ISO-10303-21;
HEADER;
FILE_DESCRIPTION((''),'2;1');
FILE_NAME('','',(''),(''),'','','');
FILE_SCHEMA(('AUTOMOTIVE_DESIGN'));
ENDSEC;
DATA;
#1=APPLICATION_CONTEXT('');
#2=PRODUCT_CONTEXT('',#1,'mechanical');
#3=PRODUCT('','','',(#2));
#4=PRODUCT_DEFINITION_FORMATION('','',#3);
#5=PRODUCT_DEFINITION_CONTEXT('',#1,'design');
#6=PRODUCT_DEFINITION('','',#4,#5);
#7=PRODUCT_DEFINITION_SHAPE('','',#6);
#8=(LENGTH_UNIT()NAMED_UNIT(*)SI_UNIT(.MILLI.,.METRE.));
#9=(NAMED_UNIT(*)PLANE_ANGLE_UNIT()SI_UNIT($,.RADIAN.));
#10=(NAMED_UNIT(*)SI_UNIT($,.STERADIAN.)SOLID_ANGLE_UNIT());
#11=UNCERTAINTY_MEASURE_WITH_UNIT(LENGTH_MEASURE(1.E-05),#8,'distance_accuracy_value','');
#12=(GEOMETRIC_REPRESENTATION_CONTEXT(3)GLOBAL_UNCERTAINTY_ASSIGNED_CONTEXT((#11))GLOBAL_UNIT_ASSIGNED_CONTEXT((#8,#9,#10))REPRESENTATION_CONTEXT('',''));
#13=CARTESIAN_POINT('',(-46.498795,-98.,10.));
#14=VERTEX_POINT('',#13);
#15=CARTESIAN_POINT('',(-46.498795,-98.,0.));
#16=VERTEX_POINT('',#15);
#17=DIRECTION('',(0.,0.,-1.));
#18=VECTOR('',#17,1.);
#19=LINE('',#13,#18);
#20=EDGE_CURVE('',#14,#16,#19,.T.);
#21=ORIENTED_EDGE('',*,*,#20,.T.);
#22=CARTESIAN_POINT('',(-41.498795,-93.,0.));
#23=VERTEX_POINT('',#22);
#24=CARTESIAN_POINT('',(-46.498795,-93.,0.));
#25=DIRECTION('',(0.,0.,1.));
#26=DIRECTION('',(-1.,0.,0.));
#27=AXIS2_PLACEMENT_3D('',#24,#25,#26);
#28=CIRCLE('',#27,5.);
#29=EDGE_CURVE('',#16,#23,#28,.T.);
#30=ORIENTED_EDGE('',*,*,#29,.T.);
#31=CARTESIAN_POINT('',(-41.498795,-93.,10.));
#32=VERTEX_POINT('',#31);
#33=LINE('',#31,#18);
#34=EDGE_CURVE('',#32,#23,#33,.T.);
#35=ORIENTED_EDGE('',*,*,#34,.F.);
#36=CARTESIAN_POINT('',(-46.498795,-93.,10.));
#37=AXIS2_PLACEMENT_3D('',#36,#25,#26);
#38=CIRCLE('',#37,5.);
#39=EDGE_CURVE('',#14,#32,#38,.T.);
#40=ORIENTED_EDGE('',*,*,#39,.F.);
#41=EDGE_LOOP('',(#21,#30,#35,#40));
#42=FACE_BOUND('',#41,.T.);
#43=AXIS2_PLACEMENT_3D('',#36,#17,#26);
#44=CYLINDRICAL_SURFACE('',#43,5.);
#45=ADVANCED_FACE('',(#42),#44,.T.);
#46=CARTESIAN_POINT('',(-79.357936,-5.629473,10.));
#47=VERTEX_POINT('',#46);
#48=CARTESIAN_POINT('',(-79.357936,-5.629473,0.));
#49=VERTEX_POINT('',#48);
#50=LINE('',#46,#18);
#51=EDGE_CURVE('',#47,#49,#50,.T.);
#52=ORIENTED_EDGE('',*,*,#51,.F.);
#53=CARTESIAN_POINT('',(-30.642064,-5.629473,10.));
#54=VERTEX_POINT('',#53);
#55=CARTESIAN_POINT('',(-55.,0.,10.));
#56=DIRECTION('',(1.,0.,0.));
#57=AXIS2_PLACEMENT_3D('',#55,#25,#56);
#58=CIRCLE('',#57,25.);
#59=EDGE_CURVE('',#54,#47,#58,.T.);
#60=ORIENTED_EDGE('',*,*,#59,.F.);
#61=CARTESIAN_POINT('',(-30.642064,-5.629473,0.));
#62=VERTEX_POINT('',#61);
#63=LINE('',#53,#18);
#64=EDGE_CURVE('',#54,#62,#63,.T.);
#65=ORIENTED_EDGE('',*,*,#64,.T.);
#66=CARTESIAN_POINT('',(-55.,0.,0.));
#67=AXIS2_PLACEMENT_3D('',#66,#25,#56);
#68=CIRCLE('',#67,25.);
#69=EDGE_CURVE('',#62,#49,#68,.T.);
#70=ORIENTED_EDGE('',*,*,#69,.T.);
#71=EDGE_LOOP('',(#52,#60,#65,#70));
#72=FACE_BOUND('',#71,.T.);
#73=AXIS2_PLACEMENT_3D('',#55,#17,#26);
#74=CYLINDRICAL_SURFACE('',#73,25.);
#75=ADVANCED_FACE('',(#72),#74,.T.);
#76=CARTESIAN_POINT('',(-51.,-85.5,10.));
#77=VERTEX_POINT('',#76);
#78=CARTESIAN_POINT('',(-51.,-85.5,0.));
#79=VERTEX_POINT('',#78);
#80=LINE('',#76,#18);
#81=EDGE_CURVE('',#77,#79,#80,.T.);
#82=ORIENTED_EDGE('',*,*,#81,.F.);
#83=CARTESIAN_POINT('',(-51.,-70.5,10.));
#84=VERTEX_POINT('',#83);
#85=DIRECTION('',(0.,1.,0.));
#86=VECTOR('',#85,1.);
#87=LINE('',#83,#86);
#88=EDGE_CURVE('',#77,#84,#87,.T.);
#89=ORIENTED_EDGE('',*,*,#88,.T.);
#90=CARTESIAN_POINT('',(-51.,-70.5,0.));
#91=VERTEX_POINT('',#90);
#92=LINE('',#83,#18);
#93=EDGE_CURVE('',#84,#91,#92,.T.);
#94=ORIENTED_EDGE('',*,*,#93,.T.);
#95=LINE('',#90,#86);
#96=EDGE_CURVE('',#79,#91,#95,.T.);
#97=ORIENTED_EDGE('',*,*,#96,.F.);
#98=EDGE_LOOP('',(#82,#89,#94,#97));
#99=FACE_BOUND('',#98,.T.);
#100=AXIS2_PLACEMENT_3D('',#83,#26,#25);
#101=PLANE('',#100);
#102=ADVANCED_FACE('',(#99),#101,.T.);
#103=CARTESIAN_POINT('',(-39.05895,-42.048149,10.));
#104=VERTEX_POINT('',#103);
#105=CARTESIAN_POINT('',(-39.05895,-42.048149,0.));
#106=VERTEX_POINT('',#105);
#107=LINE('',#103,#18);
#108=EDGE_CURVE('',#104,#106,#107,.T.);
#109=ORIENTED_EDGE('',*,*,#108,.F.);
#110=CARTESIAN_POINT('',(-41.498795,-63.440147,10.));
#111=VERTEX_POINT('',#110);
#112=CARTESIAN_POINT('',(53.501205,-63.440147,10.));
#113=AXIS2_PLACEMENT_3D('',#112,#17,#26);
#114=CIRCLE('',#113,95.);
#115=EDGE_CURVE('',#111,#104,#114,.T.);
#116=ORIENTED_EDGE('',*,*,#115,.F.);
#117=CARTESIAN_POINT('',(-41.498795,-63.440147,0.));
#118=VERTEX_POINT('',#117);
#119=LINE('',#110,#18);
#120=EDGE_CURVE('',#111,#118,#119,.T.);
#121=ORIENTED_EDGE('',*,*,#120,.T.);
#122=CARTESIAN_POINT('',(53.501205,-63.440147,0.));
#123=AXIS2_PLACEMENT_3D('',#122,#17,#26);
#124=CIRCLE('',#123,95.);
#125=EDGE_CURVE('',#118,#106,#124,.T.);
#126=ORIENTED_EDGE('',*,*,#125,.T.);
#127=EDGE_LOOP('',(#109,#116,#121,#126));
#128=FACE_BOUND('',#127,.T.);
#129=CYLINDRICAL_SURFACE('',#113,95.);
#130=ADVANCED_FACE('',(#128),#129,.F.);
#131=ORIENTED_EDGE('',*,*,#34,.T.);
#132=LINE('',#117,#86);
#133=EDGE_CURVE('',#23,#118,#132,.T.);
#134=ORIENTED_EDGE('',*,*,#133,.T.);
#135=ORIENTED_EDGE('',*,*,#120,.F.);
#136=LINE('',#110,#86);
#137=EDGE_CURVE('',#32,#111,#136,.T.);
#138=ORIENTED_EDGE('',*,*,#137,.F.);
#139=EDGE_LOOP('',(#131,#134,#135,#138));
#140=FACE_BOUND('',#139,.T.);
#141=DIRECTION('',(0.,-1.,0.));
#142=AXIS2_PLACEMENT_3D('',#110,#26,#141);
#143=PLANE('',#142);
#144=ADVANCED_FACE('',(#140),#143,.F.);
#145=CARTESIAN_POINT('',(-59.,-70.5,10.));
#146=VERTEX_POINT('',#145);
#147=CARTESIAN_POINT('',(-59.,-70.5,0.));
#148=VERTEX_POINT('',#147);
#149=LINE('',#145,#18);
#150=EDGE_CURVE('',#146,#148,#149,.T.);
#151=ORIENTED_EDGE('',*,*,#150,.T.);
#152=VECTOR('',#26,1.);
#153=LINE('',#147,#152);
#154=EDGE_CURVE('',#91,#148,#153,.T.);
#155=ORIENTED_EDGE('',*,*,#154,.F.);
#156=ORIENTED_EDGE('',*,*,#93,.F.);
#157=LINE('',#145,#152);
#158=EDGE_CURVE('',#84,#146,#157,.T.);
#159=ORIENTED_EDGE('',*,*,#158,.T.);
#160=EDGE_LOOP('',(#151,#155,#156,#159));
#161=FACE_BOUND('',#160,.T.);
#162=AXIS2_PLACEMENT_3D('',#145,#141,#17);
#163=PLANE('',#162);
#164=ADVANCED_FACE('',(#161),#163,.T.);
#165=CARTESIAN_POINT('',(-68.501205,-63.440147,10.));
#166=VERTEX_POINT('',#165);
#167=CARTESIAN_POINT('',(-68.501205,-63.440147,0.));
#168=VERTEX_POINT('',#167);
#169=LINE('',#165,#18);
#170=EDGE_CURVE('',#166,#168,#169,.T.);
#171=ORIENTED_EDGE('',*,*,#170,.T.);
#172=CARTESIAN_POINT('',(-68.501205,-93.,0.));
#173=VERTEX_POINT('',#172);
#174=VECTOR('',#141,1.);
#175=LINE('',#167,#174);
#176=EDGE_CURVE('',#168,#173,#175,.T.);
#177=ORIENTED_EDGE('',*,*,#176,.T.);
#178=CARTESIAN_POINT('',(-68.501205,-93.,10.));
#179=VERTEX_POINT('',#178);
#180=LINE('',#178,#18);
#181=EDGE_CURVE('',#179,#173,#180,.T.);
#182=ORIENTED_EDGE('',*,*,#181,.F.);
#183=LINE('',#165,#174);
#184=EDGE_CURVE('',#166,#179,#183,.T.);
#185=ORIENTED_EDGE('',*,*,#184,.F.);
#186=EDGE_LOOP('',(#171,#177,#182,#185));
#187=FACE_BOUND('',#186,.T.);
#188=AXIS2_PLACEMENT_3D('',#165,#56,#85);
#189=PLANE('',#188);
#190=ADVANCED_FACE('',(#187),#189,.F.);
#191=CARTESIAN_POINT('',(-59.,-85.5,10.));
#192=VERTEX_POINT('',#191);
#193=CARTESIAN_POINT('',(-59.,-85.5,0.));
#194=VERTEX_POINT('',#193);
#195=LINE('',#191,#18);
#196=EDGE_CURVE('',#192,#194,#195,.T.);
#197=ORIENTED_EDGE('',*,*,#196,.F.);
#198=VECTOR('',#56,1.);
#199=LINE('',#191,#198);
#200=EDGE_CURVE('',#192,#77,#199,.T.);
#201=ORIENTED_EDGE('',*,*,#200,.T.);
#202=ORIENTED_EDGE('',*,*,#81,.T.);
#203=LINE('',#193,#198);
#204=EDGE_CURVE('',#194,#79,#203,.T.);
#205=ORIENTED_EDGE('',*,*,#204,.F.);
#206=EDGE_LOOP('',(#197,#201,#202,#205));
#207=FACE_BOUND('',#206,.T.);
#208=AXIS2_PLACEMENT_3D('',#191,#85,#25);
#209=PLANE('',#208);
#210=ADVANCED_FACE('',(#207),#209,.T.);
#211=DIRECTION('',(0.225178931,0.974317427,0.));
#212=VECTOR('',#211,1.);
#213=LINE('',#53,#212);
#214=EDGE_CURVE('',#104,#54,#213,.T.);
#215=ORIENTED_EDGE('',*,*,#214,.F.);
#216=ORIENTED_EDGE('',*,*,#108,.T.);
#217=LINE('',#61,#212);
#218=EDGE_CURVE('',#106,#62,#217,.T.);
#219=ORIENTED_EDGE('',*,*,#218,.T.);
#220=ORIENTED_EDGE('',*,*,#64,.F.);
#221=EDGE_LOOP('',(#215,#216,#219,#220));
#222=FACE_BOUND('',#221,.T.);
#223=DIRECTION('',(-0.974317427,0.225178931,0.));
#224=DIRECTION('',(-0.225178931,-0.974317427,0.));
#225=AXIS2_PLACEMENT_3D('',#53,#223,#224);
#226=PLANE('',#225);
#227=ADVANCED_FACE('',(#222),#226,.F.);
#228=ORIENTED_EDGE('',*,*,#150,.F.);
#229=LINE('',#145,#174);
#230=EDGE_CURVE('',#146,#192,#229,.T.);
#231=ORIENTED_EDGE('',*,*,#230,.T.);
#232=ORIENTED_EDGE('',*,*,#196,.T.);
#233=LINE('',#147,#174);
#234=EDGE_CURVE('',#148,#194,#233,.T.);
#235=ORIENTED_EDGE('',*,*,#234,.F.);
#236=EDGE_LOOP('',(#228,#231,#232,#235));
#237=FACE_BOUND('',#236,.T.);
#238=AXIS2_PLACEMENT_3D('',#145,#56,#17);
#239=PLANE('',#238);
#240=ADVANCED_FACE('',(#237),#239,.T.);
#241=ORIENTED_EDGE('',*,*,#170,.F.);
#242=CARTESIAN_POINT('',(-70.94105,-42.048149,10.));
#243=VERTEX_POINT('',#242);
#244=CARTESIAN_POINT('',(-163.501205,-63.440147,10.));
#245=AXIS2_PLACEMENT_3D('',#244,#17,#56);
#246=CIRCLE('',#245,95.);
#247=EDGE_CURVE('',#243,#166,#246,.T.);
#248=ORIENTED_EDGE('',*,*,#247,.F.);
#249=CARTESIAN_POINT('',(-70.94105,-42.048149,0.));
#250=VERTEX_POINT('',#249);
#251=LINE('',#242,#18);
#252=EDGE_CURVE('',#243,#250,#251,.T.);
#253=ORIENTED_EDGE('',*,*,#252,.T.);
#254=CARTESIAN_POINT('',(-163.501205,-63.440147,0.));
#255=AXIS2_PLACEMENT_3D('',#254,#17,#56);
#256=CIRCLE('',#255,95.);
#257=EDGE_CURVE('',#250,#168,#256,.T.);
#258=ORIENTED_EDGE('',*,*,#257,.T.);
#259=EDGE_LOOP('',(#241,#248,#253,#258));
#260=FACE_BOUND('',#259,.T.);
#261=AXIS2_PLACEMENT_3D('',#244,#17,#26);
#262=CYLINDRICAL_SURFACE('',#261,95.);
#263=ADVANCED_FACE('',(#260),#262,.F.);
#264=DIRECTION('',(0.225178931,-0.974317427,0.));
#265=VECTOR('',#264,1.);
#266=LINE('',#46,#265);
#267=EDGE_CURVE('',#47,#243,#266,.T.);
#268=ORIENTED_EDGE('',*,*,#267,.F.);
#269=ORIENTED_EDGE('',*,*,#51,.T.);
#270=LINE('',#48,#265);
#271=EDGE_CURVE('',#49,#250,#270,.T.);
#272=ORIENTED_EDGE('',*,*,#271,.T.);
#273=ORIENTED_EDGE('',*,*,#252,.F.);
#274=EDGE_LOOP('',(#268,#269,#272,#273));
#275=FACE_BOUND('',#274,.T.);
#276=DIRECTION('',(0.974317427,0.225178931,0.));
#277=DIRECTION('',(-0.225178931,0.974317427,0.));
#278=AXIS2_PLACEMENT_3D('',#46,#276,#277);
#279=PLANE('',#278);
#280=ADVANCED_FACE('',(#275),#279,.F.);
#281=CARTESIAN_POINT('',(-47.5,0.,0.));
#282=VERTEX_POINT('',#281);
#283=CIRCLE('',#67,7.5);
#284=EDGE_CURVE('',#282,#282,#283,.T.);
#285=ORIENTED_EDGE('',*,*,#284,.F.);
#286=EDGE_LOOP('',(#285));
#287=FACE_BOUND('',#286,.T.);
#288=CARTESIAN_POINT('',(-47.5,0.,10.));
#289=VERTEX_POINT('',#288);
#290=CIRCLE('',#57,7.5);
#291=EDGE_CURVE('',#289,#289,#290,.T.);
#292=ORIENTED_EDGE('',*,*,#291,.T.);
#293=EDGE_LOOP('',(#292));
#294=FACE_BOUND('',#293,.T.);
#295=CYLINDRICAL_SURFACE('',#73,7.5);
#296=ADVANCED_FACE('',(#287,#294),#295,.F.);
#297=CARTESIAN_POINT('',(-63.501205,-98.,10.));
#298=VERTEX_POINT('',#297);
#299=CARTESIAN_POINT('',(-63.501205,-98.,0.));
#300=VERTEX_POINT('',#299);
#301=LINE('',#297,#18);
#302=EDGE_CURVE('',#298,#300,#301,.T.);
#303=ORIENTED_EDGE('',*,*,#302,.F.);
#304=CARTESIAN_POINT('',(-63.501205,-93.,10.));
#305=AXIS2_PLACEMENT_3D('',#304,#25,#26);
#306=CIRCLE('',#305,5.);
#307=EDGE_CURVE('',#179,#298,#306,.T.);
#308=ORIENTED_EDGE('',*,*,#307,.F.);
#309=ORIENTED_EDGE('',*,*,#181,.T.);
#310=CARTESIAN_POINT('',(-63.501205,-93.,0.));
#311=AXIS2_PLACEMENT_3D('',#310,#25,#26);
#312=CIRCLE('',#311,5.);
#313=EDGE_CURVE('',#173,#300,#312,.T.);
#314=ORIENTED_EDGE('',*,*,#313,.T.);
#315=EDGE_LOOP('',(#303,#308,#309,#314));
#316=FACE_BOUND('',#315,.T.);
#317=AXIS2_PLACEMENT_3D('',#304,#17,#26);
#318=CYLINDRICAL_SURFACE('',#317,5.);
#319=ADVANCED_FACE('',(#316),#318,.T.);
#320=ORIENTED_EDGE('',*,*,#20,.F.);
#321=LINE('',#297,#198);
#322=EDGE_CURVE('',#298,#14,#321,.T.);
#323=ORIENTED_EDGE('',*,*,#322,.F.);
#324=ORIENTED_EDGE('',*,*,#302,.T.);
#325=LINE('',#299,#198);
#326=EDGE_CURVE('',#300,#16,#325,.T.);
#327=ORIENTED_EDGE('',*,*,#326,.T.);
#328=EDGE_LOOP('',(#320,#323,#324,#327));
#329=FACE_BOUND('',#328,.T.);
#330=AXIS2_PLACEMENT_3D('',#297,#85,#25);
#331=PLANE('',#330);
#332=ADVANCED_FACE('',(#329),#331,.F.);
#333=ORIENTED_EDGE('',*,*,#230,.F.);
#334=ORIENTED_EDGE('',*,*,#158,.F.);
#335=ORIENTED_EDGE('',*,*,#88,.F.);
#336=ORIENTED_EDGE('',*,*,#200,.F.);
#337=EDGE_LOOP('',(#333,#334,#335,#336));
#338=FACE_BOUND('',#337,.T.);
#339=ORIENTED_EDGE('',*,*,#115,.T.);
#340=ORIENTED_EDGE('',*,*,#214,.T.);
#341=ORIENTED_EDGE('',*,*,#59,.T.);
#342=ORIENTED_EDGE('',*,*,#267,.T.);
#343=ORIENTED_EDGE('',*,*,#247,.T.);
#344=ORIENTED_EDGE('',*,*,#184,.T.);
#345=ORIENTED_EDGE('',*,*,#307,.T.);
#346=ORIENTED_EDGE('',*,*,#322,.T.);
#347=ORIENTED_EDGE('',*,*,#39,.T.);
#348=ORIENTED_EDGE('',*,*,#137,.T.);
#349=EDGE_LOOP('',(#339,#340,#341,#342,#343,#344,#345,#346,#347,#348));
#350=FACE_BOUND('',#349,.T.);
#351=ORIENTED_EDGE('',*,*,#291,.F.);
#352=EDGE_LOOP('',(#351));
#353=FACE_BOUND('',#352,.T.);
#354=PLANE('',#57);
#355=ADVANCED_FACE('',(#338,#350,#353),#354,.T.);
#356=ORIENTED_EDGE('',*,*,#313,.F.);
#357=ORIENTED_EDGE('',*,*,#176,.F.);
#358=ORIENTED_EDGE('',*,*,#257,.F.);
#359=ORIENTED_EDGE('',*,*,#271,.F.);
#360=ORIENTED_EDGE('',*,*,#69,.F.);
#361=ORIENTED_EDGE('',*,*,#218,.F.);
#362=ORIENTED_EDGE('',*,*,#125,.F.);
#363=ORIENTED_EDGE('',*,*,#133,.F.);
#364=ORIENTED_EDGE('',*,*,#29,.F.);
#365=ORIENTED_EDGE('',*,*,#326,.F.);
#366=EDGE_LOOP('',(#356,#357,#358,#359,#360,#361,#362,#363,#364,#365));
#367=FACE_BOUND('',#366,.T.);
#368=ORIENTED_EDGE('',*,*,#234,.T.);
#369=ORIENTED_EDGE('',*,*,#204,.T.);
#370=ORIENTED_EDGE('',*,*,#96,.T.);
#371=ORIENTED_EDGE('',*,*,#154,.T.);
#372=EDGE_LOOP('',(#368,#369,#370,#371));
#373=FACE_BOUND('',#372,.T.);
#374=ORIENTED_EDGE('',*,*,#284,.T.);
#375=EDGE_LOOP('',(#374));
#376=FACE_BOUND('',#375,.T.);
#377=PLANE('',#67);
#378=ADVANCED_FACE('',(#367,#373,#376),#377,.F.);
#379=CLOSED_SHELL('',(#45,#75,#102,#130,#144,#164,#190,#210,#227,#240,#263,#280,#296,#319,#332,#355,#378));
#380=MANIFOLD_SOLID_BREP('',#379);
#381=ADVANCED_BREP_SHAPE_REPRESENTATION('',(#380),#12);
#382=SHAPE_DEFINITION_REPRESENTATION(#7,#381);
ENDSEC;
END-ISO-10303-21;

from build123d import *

# Parameters (mm, degrees)
SKETCH1_R           = 7.5
SKETCH1_W           = 8
SKETCH1_H           = 15
BOSS_EXTRUDE1_DEPTH = 10


with BuildPart() as part:
    # Sketch1 → Boss-Extrude1 (new body)
    with BuildSketch(Plane.XY):
        with BuildLine():
            Line((-79.357935679, -5.629473283), (-70.941049916, -42.048149016))
            ThreePointArc((-70.941049916, -42.048149016), (-69.113137448, -52.674804492), (-68.501205497, -63.440147491))
            Line((-68.501205497, -63.440147491), (-68.501205497, -93))
            ThreePointArc((-68.501205497, -93), (-67.036739403, -96.535533906), (-63.501205497, -98))
            Line((-63.501205497, -98), (-46.498794503, -98))
            ThreePointArc((-46.498794503, -98), (-42.963260597, -96.535533906), (-41.498794503, -93))
            Line((-41.498794503, -93), (-41.498794503, -63.440147491))
            ThreePointArc((-41.498794503, -63.440147491), (-40.886862552, -52.674804492), (-39.058950084, -42.048149016))
            Line((-39.058950084, -42.048149016), (-30.642064321, -5.629473283))
            ThreePointArc((-30.642064321, -5.629473283), (-55, 25), (-79.357935679, -5.629473283))
        make_face()
        with Locations((-55, 0)):
            Circle(SKETCH1_R, mode=Mode.SUBTRACT)
        with Locations((-55, -78)):
            Rectangle(SKETCH1_W, SKETCH1_H, mode=Mode.SUBTRACT)
    extrude(amount=BOSS_EXTRUDE1_DEPTH)


solid = part.part
